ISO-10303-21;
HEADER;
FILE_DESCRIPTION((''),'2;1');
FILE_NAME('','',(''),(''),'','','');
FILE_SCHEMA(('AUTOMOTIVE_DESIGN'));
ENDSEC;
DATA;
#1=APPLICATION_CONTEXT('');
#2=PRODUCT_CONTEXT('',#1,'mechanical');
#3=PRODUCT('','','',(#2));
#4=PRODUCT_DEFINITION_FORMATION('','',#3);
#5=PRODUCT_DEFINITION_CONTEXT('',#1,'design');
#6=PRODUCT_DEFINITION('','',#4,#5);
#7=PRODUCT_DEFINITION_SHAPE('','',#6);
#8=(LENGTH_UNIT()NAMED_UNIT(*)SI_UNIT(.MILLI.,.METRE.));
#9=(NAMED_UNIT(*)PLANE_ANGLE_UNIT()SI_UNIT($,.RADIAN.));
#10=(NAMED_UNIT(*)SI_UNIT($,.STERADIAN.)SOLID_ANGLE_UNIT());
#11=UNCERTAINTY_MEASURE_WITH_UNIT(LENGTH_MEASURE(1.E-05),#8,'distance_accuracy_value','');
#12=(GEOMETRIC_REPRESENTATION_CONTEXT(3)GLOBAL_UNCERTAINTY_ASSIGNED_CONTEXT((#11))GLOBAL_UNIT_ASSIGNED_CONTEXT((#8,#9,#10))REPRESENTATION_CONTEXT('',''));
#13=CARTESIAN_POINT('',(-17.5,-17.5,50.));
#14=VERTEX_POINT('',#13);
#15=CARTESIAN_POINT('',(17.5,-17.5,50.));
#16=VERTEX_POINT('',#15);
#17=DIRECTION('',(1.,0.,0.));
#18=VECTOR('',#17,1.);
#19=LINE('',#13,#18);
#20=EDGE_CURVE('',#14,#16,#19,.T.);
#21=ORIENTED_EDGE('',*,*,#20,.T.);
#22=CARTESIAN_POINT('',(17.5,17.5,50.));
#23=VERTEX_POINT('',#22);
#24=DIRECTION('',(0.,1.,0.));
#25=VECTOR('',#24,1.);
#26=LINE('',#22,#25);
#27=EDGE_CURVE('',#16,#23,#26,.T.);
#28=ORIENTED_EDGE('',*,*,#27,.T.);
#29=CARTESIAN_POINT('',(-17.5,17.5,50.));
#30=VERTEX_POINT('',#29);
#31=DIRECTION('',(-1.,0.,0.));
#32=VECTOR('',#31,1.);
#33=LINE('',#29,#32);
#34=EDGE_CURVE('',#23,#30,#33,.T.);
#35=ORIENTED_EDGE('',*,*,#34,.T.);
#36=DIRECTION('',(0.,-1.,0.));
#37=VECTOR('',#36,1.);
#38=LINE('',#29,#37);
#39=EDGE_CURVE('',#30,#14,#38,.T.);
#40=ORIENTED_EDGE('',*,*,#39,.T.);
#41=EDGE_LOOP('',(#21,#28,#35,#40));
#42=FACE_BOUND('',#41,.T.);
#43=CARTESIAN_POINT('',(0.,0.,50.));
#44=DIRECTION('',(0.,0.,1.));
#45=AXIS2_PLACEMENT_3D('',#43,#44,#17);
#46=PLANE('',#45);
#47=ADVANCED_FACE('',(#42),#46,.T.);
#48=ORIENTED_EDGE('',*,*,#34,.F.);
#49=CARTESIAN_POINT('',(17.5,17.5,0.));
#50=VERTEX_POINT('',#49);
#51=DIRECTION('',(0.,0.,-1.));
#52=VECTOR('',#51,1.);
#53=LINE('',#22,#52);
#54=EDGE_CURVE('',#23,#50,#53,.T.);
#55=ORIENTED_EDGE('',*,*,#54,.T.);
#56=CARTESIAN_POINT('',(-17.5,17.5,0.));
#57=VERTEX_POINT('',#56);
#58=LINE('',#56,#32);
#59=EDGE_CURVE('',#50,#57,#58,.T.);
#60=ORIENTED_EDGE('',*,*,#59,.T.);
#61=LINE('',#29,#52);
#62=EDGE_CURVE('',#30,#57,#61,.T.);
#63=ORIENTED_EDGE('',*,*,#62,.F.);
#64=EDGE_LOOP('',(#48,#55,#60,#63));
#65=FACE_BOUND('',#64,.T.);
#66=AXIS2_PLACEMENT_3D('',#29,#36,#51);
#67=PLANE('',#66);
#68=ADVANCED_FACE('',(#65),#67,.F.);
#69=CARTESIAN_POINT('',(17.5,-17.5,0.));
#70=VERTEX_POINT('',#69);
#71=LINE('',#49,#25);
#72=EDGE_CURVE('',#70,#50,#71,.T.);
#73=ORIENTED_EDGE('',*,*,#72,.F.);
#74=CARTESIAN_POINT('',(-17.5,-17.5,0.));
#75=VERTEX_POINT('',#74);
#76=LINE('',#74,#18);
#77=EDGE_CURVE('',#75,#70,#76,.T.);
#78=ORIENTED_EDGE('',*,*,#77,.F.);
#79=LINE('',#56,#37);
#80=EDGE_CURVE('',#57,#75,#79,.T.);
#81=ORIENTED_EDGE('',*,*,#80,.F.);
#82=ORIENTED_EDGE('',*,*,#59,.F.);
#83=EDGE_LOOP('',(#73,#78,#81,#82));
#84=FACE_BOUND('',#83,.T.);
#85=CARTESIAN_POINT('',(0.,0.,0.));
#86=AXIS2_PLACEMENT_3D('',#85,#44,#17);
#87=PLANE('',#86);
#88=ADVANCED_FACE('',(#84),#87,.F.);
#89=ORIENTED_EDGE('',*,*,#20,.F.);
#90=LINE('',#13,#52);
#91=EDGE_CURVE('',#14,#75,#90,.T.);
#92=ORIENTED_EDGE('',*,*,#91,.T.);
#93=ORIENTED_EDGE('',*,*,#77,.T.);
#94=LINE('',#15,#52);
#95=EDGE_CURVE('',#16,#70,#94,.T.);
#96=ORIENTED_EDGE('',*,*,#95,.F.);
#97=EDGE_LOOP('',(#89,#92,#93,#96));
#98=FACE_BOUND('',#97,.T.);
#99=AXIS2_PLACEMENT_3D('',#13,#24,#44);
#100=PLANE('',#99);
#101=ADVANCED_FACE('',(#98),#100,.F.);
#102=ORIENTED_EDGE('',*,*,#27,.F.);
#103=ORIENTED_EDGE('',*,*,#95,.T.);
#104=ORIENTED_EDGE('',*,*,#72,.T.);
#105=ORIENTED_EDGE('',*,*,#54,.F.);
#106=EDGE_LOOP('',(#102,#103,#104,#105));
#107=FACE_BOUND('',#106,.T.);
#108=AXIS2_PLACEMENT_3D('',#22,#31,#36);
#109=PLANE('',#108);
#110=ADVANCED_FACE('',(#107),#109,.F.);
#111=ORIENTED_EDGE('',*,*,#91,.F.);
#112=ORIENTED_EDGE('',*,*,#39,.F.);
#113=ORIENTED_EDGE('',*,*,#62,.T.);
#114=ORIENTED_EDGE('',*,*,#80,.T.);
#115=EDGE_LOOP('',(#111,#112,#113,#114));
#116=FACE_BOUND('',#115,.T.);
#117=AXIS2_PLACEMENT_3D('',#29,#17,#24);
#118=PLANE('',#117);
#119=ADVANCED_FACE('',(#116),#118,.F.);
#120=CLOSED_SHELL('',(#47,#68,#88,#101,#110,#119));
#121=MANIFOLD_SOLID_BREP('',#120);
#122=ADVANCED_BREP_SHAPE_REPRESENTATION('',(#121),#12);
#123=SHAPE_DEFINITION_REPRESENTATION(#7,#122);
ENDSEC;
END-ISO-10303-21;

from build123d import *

# Parameters (mm, degrees)
ESQUISSE1_W        = 35
ESQUISSE1_H        = 35
BOSS_EXTRU_1_DEPTH = 50


with BuildPart() as part:
    # Esquisse1 → Boss.-Extru.1 (new body)
    with BuildSketch(Plane.XY):
        Rectangle(ESQUISSE1_W, ESQUISSE1_H)
    extrude(amount=BOSS_EXTRU_1_DEPTH)


solid = part.part
